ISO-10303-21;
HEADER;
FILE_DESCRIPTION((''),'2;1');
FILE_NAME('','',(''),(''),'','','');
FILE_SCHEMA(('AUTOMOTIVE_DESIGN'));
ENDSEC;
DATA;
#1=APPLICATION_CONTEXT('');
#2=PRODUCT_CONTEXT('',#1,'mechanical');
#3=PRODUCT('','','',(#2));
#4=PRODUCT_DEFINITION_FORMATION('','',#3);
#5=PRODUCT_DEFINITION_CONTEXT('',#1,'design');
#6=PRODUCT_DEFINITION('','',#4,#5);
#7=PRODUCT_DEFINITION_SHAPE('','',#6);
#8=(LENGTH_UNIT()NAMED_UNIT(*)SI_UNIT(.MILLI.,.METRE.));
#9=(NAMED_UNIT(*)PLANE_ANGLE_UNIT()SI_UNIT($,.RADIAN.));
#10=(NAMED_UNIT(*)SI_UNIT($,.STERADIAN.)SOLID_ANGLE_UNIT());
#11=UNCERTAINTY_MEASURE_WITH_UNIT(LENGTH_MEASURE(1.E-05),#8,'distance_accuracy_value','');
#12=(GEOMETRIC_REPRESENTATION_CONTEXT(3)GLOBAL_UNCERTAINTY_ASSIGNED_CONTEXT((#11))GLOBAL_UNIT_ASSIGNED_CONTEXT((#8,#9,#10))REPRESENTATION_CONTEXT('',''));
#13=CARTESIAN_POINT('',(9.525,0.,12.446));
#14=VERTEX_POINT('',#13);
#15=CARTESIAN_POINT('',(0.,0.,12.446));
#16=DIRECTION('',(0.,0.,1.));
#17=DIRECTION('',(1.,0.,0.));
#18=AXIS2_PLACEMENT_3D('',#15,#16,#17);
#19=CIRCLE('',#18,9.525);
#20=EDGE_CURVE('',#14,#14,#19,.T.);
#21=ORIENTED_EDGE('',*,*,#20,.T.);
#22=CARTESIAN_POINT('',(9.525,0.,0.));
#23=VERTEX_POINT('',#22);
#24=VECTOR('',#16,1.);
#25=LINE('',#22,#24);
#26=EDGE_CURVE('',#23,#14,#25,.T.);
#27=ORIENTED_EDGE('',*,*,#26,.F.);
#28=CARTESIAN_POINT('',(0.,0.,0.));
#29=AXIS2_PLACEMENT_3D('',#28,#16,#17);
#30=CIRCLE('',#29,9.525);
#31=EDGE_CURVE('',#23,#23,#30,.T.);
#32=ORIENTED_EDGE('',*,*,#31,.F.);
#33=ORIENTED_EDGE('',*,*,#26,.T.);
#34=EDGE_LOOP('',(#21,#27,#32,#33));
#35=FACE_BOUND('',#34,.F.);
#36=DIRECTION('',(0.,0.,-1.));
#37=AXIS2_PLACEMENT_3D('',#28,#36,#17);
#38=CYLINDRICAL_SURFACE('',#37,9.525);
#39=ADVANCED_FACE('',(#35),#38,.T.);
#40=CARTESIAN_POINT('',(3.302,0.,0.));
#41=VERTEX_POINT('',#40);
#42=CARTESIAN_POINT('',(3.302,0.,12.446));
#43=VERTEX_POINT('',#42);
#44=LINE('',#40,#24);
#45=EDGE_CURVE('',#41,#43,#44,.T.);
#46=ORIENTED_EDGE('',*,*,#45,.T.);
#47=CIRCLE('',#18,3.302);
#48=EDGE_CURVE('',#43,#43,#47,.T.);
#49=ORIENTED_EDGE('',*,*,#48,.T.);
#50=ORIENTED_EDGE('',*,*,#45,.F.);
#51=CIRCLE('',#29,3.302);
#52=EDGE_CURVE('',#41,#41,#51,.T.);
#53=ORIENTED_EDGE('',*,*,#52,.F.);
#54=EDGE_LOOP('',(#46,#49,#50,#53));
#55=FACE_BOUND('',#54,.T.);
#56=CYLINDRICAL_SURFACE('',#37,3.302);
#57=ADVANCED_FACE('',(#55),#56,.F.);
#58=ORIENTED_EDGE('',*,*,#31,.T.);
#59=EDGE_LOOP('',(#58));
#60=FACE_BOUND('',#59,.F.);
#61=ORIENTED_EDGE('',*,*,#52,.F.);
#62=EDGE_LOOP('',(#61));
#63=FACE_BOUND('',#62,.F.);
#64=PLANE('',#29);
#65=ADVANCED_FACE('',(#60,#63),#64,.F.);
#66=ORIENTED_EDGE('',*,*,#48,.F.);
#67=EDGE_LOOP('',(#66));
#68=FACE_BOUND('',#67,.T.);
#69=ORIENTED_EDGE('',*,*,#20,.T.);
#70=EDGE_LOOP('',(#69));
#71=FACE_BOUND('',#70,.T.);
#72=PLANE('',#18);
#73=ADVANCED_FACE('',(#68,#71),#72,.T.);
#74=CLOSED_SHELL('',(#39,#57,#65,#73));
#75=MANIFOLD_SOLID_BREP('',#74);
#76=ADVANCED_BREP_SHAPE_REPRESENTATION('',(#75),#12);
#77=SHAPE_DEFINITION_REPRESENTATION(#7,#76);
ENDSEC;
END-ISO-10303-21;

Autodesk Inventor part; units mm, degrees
ref_plane "YZ Plane" through (0, 0, 0) normal (1, 0, 0) x (0, 1, 0)
ref_plane "XZ Plane" through (0, 0, 0) normal (0, 1, 0) x (-1, 0, 0)
ref_plane "XY Plane" through (0, 0, 0) normal (0, 0, 1) x (1, 0, 0)
sketch "Sketch1" plane through (0, 0, 0) normal (0, 0, 1) x (1, 0, 0)
  circle A0 centre (0, 0) radius 9.525
  circle A1 centre (0, 0) radius 3.302
  dimension "d0" = 19.05
  dimension "d1" = 6.604
extrude "Extrusion1" add sketch "Sketch1" along normal blind 12.446
properties part number "EL2-401A" material "ABS Plastic"
